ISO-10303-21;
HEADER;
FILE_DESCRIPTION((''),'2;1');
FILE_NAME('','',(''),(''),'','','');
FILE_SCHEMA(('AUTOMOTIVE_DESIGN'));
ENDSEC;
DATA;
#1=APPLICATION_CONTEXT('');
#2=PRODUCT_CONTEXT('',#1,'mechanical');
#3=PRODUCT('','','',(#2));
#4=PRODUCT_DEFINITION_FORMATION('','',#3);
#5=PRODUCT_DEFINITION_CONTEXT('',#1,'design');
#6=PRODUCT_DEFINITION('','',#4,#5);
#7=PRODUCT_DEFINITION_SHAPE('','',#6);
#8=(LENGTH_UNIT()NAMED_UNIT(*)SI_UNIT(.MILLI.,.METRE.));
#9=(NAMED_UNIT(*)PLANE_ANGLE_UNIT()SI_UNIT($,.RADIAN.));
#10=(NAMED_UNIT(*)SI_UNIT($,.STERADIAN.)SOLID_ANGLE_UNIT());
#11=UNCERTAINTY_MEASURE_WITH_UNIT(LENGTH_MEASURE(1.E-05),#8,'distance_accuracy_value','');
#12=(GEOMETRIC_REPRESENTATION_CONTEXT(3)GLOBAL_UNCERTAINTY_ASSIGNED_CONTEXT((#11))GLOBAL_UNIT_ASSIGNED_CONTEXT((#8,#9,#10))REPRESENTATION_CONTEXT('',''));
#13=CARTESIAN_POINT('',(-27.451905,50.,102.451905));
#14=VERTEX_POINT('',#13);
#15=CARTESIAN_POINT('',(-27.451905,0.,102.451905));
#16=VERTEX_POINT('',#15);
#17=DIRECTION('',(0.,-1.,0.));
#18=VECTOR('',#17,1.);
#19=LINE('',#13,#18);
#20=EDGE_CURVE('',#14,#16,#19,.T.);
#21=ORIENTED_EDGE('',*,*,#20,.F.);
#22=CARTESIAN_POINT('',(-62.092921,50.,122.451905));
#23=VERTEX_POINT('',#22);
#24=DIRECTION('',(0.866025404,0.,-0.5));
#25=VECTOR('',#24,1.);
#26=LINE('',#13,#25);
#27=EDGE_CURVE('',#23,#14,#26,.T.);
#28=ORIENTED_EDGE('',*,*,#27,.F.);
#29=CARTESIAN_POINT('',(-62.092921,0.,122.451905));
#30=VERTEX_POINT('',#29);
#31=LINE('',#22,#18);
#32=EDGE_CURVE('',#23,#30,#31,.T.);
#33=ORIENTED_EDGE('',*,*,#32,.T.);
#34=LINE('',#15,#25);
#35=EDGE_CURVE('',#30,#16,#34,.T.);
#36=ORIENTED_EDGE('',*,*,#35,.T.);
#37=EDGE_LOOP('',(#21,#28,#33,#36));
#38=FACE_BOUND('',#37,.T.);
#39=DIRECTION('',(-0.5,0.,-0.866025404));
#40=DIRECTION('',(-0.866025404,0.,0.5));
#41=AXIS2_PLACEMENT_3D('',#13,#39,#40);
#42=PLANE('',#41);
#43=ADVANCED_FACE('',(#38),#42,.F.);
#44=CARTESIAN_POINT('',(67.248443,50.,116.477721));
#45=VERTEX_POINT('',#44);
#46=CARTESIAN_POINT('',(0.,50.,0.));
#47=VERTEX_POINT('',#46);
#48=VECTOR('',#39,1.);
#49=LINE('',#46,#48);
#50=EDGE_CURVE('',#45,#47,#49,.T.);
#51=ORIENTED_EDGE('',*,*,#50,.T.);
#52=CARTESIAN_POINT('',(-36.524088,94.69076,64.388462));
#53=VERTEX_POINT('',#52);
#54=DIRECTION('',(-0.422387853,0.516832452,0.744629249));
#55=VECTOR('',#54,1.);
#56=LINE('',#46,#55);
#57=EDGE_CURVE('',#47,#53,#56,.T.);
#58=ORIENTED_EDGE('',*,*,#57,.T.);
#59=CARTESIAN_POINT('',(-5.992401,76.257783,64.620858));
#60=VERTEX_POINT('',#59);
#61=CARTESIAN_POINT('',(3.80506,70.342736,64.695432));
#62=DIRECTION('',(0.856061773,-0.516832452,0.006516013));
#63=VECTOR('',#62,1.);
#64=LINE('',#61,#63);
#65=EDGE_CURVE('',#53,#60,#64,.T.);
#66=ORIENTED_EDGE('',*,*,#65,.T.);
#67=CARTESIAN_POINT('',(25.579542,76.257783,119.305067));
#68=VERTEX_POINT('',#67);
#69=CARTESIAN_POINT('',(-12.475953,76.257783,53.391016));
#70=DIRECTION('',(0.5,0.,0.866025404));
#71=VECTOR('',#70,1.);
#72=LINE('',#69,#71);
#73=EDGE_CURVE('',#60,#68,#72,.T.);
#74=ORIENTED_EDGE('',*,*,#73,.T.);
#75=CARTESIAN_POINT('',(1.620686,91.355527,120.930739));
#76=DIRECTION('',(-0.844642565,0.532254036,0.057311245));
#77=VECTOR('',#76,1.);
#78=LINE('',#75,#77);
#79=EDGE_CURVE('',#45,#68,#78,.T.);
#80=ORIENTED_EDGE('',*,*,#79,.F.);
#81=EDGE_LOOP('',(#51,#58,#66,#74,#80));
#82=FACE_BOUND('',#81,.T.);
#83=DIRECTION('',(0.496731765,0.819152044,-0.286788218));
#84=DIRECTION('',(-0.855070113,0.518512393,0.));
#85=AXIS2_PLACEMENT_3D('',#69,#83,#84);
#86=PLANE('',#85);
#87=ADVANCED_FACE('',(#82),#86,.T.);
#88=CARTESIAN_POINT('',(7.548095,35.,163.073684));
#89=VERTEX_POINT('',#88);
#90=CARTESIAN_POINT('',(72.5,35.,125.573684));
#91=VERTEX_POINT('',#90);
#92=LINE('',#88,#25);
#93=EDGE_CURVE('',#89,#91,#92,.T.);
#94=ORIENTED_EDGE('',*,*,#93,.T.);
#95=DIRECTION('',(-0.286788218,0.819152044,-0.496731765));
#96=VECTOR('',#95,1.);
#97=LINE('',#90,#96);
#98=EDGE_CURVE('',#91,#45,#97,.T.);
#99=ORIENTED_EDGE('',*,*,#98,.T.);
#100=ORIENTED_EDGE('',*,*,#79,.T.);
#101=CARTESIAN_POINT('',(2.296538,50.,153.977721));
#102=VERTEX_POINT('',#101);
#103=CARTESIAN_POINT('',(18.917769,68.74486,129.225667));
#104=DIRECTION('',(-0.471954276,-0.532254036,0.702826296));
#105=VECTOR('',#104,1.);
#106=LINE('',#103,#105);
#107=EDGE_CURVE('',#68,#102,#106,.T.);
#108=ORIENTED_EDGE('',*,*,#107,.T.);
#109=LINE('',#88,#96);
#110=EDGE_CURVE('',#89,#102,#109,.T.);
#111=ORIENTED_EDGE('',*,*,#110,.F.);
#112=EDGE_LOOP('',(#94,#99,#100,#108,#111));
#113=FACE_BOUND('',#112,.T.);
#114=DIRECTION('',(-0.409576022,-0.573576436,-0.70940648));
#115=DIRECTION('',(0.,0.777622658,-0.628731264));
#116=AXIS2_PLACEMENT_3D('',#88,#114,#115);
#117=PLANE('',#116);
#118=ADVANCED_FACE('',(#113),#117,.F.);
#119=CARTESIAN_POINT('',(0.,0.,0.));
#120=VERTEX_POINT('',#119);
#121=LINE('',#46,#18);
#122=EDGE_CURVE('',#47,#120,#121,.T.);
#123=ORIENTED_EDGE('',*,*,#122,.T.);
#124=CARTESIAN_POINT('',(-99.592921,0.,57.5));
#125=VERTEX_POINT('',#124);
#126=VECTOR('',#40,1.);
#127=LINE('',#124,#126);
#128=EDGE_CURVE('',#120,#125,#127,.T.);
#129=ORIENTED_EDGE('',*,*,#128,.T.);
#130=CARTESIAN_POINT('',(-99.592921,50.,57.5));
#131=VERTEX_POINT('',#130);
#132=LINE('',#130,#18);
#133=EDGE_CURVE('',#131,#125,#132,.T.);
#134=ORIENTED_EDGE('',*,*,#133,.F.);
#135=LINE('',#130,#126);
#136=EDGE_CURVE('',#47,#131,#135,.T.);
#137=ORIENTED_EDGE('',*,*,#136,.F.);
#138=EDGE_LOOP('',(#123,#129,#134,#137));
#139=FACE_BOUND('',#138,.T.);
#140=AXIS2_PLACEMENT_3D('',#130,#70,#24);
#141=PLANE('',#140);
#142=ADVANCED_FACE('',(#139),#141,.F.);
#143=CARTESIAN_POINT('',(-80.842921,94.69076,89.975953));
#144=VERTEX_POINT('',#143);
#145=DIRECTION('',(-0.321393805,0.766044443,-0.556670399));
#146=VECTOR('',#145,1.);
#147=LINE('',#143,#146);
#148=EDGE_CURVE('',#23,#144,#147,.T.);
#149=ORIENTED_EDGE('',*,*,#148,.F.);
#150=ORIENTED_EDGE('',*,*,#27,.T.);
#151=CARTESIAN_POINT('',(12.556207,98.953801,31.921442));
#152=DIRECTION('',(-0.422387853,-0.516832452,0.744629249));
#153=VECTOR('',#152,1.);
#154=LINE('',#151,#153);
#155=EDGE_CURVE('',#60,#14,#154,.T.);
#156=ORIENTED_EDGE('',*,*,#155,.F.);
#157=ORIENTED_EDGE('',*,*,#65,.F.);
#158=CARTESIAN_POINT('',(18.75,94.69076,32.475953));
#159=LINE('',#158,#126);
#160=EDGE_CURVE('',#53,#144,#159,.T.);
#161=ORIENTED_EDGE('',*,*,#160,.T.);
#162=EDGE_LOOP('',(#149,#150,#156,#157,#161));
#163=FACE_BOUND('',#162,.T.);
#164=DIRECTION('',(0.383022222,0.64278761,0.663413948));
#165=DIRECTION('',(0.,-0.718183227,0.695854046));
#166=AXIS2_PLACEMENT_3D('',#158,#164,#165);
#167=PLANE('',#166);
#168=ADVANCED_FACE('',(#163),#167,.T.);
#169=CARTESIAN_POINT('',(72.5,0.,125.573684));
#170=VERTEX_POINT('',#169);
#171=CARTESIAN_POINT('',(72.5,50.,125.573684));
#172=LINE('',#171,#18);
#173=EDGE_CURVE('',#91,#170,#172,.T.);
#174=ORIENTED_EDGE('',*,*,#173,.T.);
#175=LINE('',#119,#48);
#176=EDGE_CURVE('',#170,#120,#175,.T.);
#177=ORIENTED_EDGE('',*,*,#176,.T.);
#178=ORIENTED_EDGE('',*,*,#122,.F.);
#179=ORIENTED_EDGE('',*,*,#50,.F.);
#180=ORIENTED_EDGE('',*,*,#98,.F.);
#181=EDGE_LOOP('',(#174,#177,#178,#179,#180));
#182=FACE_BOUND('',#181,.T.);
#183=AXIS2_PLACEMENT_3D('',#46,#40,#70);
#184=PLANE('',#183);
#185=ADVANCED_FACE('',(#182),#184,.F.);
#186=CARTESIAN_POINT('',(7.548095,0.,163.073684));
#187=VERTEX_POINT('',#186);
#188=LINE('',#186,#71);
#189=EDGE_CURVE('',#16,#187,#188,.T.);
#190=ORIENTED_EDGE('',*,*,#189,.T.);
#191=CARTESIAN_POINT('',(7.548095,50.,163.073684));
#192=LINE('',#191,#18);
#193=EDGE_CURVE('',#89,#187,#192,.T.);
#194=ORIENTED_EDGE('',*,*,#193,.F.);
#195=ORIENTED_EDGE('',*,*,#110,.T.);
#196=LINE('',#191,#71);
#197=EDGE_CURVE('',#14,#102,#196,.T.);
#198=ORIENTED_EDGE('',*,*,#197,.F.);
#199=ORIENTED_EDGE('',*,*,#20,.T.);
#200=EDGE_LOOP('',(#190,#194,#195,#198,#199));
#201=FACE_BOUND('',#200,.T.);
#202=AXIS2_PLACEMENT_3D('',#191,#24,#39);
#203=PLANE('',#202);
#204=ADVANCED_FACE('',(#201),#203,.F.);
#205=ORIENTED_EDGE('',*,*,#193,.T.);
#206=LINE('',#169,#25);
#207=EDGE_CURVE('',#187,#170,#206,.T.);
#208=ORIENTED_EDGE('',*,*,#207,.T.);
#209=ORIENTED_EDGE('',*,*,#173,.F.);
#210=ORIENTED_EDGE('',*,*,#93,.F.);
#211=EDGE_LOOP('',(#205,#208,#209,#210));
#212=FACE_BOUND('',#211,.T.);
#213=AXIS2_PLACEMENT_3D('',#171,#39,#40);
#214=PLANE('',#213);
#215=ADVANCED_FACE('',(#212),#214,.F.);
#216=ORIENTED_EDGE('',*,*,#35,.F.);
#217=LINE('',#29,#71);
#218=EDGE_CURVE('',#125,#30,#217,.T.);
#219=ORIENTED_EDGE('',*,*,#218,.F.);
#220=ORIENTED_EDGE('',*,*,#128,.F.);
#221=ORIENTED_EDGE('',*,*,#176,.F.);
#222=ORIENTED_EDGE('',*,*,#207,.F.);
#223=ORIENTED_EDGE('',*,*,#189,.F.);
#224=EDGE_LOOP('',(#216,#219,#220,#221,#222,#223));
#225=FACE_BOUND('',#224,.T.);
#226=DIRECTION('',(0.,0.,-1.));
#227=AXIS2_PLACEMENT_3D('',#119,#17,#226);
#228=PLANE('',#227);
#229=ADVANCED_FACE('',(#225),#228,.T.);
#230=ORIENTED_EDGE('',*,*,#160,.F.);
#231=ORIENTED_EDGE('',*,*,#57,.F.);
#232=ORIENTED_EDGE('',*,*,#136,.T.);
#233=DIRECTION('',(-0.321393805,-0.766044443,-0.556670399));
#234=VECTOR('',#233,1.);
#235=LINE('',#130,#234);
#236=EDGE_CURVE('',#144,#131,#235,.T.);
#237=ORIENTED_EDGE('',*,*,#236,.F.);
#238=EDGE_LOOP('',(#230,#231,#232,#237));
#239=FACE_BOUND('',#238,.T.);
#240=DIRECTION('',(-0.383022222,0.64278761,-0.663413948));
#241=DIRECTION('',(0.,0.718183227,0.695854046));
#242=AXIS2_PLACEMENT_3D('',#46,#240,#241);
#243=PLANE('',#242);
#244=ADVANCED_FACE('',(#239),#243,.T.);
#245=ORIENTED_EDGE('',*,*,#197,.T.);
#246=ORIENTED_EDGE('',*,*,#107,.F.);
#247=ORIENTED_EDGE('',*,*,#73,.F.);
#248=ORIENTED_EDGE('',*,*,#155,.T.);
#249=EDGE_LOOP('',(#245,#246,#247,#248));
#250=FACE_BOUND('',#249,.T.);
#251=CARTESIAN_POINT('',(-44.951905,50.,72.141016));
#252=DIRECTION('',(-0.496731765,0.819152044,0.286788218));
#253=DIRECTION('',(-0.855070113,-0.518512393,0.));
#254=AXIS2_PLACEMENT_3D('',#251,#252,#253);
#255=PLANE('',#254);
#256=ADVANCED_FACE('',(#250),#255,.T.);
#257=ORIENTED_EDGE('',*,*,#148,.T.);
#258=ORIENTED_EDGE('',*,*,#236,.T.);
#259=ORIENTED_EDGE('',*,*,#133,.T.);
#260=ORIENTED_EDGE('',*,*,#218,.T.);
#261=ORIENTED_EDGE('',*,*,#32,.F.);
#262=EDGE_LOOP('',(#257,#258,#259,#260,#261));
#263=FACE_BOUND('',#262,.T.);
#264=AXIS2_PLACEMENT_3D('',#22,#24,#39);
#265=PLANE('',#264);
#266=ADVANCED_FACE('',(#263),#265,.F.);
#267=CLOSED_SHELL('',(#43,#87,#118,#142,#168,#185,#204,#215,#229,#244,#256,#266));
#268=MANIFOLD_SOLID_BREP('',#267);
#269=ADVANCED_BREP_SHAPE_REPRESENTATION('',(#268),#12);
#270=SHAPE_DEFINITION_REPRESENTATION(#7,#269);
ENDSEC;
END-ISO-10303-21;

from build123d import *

# Parameters (mm, degrees)
EXTRUDE1_DEPTH     = 50
EXTRUDE2_DEPTH     = 115
EXTRUDE3_DEPTH     = 105
CUT_EXTRUDE1_DEPTH = 155
CUT_EXTRUDE2_DEPTH = 75


with BuildPart() as part:
    # Sketch1 → Extrude1 (new body)
    with BuildSketch(Plane(origin=(0, 0, 0), x_dir=(1, 0, 0), z_dir=(0, 1, 0))):
        Polygon((0, 0), (72.5, -125.573683549), (7.548094716, -163.073683549), (-27.451905284, -102.451905284), (-62.092921435, -122.451905284), (-99.592921435, -57.5), align=None)
    extrude(amount=EXTRUDE1_DEPTH)

    # Sketch2 → Extrude2 (add)
    with BuildSketch(Plane(origin=(-99.592921435, 0, 57.5), x_dir=(0.5, 0, 0.866025404), z_dir=(-0.866025404, 0, 0.5))):
        Polygon((75, 50), (0, 50), (37.5, 94.690759722), align=None)
    extrude(amount=-EXTRUDE2_DEPTH)

    # Sketch3 → Extrude3 (add)
    with BuildSketch(Plane(origin=(72.5, 0, 125.573683549), x_dir=(0.866025404, 0, -0.5), z_dir=(0.5, 0, 0.866025404))):
        Polygon((0, 50), (-75, 50), (-37.5, 76.257782683), align=None)
    extrude(amount=-EXTRUDE3_DEPTH)

    # Sketch4 → Cut-Extrude1 (cut)
    with BuildSketch(Plane(origin=(72.5, 0, 125.573683549), x_dir=(0.866025404, 0, -0.5), z_dir=(0.5, 0, 0.866025404))):
        Polygon((0, 50), (0, 113.526991311), (-90.725946016, 113.526991311), align=None)
    extrude(amount=-CUT_EXTRUDE1_DEPTH, mode=Mode.SUBTRACT)

    # Sketch5 → Cut-Extrude2 (cut)
    with BuildSketch(Plane(origin=(0, 0, 0), x_dir=(-0.5, 0, -0.866025404), z_dir=(0.866025404, 0, -0.5))):
        Polygon((-145, 35), (-97.861503451, 102.320749887), (-145, 102.320749887), align=None)
    extrude(amount=-CUT_EXTRUDE2_DEPTH, mode=Mode.SUBTRACT)


solid = part.part
